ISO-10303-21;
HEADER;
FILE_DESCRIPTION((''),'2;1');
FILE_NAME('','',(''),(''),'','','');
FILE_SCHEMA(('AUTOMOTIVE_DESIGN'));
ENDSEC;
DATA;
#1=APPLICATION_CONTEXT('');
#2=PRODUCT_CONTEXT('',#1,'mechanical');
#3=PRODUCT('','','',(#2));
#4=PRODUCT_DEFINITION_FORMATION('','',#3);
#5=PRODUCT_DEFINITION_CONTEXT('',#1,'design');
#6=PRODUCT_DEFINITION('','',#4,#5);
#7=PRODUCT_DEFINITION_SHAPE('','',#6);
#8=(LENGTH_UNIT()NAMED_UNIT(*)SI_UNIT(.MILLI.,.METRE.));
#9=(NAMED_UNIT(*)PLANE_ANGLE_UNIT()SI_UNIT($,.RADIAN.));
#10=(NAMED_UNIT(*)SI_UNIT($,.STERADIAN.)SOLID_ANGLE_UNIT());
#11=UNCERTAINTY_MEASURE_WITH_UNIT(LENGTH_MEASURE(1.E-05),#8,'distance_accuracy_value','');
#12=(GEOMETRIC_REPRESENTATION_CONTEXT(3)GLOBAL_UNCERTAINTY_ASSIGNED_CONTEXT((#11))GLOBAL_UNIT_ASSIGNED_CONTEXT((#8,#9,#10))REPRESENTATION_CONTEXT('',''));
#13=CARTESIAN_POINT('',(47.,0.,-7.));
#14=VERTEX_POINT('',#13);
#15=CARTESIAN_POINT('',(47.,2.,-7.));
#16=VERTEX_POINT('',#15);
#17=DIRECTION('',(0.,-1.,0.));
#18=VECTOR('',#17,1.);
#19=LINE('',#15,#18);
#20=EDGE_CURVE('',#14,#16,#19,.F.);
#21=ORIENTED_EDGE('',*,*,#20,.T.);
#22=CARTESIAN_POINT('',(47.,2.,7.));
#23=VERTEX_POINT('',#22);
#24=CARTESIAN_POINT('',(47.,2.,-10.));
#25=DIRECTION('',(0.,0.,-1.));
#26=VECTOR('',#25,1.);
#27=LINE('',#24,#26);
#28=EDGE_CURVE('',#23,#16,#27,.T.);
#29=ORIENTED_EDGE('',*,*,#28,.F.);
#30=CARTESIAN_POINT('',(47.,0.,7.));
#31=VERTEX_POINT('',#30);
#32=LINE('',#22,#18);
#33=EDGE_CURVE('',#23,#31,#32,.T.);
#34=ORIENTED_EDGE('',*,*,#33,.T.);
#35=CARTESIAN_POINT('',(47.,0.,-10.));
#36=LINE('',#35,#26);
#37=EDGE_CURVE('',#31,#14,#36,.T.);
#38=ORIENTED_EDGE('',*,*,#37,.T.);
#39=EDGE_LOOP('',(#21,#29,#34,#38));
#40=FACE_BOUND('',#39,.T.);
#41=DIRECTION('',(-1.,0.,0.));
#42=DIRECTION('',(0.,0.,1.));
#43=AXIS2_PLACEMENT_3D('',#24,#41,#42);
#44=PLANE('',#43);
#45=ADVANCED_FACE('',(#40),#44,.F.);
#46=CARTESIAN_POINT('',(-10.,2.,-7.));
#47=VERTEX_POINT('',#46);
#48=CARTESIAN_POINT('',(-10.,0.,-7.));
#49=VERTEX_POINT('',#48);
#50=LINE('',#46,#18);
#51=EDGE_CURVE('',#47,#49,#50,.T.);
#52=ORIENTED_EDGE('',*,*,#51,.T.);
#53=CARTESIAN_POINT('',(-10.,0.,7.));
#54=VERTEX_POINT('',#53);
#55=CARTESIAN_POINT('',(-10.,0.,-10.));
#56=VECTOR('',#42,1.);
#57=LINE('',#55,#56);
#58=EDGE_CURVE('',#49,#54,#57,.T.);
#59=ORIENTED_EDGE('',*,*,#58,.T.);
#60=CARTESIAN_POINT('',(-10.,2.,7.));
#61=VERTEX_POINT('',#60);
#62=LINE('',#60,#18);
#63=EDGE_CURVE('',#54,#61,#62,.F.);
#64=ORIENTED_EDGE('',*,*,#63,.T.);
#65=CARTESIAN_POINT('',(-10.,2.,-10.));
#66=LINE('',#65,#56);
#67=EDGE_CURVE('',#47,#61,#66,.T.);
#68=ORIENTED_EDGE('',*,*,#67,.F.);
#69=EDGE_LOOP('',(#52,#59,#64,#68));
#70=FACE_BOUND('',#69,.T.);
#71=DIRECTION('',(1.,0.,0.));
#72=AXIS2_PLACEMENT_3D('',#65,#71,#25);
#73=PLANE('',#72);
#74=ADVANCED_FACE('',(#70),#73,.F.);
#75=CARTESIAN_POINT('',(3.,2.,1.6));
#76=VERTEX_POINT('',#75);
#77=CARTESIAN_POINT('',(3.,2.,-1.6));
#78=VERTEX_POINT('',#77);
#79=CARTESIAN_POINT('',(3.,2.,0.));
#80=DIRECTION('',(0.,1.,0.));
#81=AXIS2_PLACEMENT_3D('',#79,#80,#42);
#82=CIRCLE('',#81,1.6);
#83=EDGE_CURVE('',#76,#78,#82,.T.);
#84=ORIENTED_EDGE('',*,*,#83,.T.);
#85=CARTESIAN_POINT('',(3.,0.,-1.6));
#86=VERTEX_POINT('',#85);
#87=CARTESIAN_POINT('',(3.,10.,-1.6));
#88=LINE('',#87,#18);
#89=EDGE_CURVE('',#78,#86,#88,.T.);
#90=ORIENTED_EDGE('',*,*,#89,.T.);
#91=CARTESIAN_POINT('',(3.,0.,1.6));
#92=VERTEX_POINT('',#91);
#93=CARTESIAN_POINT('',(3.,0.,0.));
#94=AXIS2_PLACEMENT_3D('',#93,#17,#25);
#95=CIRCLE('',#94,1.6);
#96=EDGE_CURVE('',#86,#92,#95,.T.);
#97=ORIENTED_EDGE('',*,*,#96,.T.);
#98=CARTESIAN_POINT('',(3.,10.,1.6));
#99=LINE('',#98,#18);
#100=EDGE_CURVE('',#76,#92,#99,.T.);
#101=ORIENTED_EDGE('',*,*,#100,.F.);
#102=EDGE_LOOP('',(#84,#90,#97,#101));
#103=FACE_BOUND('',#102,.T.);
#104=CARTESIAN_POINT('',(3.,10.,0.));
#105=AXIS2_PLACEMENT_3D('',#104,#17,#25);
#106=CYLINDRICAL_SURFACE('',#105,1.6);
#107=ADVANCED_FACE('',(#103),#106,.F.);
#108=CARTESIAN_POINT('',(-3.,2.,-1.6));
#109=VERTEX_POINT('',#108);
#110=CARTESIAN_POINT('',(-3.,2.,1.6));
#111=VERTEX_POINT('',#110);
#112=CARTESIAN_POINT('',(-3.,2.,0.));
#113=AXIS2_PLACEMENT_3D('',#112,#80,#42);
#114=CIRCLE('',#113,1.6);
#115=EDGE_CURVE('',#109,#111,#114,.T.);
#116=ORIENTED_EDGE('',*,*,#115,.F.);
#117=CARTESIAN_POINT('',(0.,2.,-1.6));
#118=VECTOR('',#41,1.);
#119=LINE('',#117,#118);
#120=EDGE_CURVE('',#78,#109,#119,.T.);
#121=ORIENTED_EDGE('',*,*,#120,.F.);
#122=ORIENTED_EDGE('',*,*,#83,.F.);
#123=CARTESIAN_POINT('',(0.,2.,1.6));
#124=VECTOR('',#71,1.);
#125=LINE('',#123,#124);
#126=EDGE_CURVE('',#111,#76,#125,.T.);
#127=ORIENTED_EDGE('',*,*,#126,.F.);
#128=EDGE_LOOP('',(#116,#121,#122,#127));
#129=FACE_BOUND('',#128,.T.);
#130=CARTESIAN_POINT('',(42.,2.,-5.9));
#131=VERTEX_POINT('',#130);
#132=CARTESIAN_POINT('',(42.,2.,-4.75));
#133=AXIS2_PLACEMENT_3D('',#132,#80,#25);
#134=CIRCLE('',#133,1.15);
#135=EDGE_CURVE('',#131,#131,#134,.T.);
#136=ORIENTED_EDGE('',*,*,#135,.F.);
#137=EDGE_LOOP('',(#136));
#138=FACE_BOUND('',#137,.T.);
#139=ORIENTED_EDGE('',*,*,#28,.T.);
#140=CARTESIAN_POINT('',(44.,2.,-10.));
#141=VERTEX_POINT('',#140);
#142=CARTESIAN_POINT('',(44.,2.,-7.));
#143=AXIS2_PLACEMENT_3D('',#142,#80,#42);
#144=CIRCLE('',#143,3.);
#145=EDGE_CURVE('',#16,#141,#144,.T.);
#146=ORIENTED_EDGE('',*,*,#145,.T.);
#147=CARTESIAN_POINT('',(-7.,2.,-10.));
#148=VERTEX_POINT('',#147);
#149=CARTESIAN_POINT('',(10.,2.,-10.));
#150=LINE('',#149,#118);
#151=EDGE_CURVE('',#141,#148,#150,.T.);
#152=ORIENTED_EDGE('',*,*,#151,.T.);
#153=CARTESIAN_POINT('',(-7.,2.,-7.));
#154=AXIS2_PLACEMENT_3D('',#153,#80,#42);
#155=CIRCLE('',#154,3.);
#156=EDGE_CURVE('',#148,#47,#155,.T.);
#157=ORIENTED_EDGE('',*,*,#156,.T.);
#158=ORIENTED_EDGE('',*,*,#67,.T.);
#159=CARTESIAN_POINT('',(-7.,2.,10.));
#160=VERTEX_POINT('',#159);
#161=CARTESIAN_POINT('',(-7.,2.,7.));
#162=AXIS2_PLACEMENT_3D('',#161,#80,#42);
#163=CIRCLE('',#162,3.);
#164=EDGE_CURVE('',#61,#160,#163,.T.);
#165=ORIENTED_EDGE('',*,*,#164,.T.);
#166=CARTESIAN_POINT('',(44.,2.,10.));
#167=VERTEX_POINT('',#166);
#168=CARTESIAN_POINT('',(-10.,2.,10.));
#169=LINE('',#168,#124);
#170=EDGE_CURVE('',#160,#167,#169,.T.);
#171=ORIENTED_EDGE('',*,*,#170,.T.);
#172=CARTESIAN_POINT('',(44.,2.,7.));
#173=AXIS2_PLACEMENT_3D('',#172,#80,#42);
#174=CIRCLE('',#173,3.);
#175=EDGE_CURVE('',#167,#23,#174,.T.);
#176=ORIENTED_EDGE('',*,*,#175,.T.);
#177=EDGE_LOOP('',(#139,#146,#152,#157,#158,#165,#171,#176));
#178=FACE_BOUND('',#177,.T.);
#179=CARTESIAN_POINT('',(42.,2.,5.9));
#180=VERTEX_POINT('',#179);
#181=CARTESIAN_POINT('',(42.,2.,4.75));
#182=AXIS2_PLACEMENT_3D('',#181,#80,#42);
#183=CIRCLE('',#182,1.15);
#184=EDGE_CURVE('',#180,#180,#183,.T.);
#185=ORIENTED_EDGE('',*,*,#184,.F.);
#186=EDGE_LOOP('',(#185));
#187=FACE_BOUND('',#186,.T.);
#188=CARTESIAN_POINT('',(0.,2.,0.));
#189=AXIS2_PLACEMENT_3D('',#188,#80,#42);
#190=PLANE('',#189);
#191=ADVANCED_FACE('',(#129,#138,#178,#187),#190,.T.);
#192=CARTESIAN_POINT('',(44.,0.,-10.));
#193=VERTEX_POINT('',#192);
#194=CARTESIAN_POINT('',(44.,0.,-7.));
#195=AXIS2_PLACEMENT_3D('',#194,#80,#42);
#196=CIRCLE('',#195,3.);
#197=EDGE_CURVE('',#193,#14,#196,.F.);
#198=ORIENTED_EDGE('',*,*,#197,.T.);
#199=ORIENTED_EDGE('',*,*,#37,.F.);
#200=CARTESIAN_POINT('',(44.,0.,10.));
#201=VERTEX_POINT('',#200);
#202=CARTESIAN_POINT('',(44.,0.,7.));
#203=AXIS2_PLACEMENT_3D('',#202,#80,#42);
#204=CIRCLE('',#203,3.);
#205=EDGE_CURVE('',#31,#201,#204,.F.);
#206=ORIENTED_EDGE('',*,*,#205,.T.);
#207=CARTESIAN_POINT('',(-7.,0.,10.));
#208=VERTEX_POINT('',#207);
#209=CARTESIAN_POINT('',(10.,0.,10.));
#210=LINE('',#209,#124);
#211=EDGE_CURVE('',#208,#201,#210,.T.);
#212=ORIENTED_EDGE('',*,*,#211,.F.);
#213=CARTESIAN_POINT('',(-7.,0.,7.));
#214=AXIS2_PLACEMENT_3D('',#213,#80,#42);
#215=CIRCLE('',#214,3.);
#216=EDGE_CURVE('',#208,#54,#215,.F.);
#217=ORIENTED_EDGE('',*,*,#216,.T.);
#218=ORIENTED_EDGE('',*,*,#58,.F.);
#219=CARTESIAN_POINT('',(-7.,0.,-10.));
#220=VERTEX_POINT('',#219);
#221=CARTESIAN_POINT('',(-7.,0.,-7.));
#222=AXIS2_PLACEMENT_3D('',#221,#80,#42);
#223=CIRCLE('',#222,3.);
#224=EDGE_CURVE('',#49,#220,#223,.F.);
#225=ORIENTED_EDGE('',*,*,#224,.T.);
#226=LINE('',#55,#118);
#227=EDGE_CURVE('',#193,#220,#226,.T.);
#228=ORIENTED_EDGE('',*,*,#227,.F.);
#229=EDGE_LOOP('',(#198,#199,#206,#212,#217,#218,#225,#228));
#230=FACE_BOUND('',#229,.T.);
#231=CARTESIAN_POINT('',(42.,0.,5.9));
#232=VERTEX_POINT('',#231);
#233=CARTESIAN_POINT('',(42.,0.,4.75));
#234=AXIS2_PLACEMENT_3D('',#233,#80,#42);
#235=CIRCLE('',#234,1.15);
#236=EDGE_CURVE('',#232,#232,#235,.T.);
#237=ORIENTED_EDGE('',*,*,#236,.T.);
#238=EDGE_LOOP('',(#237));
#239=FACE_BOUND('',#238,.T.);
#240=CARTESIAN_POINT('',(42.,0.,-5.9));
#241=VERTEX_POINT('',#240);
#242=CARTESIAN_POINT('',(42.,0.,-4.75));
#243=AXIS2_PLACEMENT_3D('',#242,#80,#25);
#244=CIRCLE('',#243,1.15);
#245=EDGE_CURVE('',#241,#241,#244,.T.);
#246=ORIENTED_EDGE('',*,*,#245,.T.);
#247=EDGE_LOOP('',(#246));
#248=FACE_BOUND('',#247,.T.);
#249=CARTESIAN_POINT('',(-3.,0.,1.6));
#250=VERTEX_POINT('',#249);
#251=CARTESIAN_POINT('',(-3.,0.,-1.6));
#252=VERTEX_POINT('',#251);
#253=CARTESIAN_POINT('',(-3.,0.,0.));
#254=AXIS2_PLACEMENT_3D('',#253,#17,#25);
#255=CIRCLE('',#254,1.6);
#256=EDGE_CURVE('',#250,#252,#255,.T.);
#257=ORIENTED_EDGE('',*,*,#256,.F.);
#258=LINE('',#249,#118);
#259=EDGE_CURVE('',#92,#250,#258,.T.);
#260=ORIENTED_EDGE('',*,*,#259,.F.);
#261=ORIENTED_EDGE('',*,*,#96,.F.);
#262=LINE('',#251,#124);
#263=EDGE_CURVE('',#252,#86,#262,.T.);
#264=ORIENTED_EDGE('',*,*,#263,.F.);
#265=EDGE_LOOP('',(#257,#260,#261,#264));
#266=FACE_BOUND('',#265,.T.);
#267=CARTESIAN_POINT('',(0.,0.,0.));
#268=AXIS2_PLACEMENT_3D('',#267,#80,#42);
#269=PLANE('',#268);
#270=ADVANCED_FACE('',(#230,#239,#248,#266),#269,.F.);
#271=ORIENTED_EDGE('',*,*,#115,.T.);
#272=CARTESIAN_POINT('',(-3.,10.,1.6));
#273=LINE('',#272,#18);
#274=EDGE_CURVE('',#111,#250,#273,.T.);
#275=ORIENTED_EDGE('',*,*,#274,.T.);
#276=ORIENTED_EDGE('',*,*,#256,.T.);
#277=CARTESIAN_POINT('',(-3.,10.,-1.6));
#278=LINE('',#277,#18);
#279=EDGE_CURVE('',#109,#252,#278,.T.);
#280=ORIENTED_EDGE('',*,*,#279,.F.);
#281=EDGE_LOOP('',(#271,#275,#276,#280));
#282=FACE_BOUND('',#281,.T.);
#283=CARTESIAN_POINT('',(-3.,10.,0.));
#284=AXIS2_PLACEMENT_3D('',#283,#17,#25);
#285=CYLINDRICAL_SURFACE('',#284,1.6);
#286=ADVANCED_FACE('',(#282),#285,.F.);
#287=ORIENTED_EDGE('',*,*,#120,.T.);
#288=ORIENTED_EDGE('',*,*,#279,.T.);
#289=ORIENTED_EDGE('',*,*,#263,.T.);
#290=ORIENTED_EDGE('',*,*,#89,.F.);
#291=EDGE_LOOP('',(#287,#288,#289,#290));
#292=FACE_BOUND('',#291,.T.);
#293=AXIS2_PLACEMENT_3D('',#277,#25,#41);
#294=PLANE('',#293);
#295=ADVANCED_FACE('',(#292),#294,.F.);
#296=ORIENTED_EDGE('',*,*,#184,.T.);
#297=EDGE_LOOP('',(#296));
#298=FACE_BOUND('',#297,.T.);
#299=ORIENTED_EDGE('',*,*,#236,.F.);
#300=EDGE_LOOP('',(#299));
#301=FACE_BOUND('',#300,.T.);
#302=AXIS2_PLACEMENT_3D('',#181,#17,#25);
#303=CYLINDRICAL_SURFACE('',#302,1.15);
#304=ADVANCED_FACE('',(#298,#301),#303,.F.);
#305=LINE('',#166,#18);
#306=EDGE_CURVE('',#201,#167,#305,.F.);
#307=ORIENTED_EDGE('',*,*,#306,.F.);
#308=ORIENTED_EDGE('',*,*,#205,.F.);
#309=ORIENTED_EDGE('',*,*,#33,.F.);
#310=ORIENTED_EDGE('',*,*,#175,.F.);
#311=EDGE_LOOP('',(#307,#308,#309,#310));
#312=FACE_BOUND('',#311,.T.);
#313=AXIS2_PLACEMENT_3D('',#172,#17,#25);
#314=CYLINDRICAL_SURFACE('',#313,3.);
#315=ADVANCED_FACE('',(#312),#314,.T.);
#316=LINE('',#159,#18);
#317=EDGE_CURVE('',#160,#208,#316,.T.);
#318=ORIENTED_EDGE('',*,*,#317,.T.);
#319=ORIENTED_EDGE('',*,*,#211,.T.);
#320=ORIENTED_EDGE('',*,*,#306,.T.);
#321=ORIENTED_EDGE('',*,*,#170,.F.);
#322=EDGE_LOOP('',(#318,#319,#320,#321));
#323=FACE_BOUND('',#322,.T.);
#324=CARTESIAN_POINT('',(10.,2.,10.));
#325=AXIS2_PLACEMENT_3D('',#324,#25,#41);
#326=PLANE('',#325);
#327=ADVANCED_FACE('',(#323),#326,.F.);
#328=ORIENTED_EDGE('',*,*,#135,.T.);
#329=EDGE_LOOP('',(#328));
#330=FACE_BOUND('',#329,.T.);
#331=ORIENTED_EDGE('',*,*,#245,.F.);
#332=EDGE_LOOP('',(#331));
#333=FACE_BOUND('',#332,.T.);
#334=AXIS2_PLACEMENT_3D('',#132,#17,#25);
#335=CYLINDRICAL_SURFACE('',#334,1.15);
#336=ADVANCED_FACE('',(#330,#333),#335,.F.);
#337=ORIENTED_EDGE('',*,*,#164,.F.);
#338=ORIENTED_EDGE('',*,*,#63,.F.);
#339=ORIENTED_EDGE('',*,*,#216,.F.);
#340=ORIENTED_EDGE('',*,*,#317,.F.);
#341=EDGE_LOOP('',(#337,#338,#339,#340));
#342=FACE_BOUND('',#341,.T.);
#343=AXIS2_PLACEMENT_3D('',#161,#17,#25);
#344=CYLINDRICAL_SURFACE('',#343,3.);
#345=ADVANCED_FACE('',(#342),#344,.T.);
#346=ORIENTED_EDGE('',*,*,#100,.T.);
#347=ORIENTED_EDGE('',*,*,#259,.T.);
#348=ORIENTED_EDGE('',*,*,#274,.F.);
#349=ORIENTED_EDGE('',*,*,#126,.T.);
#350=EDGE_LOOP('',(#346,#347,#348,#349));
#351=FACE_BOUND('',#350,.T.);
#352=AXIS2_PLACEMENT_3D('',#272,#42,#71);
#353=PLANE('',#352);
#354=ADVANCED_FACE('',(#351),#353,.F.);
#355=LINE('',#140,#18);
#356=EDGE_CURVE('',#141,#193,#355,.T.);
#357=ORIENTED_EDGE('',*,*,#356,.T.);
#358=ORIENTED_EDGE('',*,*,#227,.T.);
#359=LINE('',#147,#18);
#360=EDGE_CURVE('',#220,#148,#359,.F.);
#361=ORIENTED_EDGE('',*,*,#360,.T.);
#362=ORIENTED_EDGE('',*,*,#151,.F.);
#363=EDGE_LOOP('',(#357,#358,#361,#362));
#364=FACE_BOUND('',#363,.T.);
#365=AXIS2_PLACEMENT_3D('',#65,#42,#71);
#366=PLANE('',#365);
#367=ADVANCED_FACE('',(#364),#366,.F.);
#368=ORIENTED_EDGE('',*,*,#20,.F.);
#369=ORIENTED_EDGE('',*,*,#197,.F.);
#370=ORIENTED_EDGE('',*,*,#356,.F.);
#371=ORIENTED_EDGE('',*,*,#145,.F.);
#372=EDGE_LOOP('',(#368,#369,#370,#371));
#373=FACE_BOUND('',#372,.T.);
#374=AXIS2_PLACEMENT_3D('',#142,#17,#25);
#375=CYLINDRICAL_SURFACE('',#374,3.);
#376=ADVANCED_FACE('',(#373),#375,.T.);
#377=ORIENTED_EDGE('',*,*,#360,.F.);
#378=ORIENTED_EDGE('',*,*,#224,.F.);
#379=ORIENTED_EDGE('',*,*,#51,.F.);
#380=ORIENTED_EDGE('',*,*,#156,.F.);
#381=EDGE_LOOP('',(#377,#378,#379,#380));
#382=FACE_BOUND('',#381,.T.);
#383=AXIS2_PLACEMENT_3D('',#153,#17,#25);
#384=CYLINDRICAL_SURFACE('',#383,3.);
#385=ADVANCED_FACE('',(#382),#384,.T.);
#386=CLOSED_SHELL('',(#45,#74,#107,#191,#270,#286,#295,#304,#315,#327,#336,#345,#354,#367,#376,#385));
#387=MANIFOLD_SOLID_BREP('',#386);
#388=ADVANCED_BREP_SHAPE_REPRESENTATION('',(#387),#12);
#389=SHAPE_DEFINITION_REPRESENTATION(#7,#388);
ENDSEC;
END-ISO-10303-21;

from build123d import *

# Parameters (mm, degrees)
SKETCH_1_R          = 1.6
SKETCH_1_R_2        = 1.15
EXTRUDE_1_DEPTH     = 2
FILLET_2_R          = 3
CUT_EXTRUDE_1_DEPTH = 10


with BuildPart() as part:
    # 草图1 → 凸台-拉伸1 (new body)
    with BuildSketch(Plane(origin=(0, 0, 0), x_dir=(1, 0, 0), z_dir=(0, 1, 0))):
        Polygon((-10, 10), (10, 10), (47, 10), (47, -10), (10, -10), (-10, -10), align=None)
        Circle(SKETCH_1_R, mode=Mode.SUBTRACT)
        with Locations((42, -4.75)):
            Circle(SKETCH_1_R_2, mode=Mode.SUBTRACT)
        with Locations((42, 4.75)):
            Circle(SKETCH_1_R_2, mode=Mode.SUBTRACT)
    extrude(amount=EXTRUDE_1_DEPTH)

    # 圆角2
    fillet_2_edges = [part.edges().sort_by_distance(p)[0] for p in [
        (-10, 1, -10),
        (47, 1, -10),
        (47, 1, 10),
        (-10, 1, 10),
    ]]
    fillet(fillet_2_edges, radius=FILLET_2_R)

    # 草图2 → 切除-拉伸1 (cut)
    with BuildSketch(Plane.XZ):
        with BuildLine():
            Line((-3, 1.6), (3, 1.6))
            ThreePointArc((3, 1.6), (4.6, 0), (3, -1.6))
            Line((3, -1.6), (-3, -1.6))
            ThreePointArc((-3, -1.6), (-4.6, 0), (-3, 1.6))
        make_face()
    extrude(amount=-CUT_EXTRUDE_1_DEPTH, mode=Mode.SUBTRACT)


solid = part.part
